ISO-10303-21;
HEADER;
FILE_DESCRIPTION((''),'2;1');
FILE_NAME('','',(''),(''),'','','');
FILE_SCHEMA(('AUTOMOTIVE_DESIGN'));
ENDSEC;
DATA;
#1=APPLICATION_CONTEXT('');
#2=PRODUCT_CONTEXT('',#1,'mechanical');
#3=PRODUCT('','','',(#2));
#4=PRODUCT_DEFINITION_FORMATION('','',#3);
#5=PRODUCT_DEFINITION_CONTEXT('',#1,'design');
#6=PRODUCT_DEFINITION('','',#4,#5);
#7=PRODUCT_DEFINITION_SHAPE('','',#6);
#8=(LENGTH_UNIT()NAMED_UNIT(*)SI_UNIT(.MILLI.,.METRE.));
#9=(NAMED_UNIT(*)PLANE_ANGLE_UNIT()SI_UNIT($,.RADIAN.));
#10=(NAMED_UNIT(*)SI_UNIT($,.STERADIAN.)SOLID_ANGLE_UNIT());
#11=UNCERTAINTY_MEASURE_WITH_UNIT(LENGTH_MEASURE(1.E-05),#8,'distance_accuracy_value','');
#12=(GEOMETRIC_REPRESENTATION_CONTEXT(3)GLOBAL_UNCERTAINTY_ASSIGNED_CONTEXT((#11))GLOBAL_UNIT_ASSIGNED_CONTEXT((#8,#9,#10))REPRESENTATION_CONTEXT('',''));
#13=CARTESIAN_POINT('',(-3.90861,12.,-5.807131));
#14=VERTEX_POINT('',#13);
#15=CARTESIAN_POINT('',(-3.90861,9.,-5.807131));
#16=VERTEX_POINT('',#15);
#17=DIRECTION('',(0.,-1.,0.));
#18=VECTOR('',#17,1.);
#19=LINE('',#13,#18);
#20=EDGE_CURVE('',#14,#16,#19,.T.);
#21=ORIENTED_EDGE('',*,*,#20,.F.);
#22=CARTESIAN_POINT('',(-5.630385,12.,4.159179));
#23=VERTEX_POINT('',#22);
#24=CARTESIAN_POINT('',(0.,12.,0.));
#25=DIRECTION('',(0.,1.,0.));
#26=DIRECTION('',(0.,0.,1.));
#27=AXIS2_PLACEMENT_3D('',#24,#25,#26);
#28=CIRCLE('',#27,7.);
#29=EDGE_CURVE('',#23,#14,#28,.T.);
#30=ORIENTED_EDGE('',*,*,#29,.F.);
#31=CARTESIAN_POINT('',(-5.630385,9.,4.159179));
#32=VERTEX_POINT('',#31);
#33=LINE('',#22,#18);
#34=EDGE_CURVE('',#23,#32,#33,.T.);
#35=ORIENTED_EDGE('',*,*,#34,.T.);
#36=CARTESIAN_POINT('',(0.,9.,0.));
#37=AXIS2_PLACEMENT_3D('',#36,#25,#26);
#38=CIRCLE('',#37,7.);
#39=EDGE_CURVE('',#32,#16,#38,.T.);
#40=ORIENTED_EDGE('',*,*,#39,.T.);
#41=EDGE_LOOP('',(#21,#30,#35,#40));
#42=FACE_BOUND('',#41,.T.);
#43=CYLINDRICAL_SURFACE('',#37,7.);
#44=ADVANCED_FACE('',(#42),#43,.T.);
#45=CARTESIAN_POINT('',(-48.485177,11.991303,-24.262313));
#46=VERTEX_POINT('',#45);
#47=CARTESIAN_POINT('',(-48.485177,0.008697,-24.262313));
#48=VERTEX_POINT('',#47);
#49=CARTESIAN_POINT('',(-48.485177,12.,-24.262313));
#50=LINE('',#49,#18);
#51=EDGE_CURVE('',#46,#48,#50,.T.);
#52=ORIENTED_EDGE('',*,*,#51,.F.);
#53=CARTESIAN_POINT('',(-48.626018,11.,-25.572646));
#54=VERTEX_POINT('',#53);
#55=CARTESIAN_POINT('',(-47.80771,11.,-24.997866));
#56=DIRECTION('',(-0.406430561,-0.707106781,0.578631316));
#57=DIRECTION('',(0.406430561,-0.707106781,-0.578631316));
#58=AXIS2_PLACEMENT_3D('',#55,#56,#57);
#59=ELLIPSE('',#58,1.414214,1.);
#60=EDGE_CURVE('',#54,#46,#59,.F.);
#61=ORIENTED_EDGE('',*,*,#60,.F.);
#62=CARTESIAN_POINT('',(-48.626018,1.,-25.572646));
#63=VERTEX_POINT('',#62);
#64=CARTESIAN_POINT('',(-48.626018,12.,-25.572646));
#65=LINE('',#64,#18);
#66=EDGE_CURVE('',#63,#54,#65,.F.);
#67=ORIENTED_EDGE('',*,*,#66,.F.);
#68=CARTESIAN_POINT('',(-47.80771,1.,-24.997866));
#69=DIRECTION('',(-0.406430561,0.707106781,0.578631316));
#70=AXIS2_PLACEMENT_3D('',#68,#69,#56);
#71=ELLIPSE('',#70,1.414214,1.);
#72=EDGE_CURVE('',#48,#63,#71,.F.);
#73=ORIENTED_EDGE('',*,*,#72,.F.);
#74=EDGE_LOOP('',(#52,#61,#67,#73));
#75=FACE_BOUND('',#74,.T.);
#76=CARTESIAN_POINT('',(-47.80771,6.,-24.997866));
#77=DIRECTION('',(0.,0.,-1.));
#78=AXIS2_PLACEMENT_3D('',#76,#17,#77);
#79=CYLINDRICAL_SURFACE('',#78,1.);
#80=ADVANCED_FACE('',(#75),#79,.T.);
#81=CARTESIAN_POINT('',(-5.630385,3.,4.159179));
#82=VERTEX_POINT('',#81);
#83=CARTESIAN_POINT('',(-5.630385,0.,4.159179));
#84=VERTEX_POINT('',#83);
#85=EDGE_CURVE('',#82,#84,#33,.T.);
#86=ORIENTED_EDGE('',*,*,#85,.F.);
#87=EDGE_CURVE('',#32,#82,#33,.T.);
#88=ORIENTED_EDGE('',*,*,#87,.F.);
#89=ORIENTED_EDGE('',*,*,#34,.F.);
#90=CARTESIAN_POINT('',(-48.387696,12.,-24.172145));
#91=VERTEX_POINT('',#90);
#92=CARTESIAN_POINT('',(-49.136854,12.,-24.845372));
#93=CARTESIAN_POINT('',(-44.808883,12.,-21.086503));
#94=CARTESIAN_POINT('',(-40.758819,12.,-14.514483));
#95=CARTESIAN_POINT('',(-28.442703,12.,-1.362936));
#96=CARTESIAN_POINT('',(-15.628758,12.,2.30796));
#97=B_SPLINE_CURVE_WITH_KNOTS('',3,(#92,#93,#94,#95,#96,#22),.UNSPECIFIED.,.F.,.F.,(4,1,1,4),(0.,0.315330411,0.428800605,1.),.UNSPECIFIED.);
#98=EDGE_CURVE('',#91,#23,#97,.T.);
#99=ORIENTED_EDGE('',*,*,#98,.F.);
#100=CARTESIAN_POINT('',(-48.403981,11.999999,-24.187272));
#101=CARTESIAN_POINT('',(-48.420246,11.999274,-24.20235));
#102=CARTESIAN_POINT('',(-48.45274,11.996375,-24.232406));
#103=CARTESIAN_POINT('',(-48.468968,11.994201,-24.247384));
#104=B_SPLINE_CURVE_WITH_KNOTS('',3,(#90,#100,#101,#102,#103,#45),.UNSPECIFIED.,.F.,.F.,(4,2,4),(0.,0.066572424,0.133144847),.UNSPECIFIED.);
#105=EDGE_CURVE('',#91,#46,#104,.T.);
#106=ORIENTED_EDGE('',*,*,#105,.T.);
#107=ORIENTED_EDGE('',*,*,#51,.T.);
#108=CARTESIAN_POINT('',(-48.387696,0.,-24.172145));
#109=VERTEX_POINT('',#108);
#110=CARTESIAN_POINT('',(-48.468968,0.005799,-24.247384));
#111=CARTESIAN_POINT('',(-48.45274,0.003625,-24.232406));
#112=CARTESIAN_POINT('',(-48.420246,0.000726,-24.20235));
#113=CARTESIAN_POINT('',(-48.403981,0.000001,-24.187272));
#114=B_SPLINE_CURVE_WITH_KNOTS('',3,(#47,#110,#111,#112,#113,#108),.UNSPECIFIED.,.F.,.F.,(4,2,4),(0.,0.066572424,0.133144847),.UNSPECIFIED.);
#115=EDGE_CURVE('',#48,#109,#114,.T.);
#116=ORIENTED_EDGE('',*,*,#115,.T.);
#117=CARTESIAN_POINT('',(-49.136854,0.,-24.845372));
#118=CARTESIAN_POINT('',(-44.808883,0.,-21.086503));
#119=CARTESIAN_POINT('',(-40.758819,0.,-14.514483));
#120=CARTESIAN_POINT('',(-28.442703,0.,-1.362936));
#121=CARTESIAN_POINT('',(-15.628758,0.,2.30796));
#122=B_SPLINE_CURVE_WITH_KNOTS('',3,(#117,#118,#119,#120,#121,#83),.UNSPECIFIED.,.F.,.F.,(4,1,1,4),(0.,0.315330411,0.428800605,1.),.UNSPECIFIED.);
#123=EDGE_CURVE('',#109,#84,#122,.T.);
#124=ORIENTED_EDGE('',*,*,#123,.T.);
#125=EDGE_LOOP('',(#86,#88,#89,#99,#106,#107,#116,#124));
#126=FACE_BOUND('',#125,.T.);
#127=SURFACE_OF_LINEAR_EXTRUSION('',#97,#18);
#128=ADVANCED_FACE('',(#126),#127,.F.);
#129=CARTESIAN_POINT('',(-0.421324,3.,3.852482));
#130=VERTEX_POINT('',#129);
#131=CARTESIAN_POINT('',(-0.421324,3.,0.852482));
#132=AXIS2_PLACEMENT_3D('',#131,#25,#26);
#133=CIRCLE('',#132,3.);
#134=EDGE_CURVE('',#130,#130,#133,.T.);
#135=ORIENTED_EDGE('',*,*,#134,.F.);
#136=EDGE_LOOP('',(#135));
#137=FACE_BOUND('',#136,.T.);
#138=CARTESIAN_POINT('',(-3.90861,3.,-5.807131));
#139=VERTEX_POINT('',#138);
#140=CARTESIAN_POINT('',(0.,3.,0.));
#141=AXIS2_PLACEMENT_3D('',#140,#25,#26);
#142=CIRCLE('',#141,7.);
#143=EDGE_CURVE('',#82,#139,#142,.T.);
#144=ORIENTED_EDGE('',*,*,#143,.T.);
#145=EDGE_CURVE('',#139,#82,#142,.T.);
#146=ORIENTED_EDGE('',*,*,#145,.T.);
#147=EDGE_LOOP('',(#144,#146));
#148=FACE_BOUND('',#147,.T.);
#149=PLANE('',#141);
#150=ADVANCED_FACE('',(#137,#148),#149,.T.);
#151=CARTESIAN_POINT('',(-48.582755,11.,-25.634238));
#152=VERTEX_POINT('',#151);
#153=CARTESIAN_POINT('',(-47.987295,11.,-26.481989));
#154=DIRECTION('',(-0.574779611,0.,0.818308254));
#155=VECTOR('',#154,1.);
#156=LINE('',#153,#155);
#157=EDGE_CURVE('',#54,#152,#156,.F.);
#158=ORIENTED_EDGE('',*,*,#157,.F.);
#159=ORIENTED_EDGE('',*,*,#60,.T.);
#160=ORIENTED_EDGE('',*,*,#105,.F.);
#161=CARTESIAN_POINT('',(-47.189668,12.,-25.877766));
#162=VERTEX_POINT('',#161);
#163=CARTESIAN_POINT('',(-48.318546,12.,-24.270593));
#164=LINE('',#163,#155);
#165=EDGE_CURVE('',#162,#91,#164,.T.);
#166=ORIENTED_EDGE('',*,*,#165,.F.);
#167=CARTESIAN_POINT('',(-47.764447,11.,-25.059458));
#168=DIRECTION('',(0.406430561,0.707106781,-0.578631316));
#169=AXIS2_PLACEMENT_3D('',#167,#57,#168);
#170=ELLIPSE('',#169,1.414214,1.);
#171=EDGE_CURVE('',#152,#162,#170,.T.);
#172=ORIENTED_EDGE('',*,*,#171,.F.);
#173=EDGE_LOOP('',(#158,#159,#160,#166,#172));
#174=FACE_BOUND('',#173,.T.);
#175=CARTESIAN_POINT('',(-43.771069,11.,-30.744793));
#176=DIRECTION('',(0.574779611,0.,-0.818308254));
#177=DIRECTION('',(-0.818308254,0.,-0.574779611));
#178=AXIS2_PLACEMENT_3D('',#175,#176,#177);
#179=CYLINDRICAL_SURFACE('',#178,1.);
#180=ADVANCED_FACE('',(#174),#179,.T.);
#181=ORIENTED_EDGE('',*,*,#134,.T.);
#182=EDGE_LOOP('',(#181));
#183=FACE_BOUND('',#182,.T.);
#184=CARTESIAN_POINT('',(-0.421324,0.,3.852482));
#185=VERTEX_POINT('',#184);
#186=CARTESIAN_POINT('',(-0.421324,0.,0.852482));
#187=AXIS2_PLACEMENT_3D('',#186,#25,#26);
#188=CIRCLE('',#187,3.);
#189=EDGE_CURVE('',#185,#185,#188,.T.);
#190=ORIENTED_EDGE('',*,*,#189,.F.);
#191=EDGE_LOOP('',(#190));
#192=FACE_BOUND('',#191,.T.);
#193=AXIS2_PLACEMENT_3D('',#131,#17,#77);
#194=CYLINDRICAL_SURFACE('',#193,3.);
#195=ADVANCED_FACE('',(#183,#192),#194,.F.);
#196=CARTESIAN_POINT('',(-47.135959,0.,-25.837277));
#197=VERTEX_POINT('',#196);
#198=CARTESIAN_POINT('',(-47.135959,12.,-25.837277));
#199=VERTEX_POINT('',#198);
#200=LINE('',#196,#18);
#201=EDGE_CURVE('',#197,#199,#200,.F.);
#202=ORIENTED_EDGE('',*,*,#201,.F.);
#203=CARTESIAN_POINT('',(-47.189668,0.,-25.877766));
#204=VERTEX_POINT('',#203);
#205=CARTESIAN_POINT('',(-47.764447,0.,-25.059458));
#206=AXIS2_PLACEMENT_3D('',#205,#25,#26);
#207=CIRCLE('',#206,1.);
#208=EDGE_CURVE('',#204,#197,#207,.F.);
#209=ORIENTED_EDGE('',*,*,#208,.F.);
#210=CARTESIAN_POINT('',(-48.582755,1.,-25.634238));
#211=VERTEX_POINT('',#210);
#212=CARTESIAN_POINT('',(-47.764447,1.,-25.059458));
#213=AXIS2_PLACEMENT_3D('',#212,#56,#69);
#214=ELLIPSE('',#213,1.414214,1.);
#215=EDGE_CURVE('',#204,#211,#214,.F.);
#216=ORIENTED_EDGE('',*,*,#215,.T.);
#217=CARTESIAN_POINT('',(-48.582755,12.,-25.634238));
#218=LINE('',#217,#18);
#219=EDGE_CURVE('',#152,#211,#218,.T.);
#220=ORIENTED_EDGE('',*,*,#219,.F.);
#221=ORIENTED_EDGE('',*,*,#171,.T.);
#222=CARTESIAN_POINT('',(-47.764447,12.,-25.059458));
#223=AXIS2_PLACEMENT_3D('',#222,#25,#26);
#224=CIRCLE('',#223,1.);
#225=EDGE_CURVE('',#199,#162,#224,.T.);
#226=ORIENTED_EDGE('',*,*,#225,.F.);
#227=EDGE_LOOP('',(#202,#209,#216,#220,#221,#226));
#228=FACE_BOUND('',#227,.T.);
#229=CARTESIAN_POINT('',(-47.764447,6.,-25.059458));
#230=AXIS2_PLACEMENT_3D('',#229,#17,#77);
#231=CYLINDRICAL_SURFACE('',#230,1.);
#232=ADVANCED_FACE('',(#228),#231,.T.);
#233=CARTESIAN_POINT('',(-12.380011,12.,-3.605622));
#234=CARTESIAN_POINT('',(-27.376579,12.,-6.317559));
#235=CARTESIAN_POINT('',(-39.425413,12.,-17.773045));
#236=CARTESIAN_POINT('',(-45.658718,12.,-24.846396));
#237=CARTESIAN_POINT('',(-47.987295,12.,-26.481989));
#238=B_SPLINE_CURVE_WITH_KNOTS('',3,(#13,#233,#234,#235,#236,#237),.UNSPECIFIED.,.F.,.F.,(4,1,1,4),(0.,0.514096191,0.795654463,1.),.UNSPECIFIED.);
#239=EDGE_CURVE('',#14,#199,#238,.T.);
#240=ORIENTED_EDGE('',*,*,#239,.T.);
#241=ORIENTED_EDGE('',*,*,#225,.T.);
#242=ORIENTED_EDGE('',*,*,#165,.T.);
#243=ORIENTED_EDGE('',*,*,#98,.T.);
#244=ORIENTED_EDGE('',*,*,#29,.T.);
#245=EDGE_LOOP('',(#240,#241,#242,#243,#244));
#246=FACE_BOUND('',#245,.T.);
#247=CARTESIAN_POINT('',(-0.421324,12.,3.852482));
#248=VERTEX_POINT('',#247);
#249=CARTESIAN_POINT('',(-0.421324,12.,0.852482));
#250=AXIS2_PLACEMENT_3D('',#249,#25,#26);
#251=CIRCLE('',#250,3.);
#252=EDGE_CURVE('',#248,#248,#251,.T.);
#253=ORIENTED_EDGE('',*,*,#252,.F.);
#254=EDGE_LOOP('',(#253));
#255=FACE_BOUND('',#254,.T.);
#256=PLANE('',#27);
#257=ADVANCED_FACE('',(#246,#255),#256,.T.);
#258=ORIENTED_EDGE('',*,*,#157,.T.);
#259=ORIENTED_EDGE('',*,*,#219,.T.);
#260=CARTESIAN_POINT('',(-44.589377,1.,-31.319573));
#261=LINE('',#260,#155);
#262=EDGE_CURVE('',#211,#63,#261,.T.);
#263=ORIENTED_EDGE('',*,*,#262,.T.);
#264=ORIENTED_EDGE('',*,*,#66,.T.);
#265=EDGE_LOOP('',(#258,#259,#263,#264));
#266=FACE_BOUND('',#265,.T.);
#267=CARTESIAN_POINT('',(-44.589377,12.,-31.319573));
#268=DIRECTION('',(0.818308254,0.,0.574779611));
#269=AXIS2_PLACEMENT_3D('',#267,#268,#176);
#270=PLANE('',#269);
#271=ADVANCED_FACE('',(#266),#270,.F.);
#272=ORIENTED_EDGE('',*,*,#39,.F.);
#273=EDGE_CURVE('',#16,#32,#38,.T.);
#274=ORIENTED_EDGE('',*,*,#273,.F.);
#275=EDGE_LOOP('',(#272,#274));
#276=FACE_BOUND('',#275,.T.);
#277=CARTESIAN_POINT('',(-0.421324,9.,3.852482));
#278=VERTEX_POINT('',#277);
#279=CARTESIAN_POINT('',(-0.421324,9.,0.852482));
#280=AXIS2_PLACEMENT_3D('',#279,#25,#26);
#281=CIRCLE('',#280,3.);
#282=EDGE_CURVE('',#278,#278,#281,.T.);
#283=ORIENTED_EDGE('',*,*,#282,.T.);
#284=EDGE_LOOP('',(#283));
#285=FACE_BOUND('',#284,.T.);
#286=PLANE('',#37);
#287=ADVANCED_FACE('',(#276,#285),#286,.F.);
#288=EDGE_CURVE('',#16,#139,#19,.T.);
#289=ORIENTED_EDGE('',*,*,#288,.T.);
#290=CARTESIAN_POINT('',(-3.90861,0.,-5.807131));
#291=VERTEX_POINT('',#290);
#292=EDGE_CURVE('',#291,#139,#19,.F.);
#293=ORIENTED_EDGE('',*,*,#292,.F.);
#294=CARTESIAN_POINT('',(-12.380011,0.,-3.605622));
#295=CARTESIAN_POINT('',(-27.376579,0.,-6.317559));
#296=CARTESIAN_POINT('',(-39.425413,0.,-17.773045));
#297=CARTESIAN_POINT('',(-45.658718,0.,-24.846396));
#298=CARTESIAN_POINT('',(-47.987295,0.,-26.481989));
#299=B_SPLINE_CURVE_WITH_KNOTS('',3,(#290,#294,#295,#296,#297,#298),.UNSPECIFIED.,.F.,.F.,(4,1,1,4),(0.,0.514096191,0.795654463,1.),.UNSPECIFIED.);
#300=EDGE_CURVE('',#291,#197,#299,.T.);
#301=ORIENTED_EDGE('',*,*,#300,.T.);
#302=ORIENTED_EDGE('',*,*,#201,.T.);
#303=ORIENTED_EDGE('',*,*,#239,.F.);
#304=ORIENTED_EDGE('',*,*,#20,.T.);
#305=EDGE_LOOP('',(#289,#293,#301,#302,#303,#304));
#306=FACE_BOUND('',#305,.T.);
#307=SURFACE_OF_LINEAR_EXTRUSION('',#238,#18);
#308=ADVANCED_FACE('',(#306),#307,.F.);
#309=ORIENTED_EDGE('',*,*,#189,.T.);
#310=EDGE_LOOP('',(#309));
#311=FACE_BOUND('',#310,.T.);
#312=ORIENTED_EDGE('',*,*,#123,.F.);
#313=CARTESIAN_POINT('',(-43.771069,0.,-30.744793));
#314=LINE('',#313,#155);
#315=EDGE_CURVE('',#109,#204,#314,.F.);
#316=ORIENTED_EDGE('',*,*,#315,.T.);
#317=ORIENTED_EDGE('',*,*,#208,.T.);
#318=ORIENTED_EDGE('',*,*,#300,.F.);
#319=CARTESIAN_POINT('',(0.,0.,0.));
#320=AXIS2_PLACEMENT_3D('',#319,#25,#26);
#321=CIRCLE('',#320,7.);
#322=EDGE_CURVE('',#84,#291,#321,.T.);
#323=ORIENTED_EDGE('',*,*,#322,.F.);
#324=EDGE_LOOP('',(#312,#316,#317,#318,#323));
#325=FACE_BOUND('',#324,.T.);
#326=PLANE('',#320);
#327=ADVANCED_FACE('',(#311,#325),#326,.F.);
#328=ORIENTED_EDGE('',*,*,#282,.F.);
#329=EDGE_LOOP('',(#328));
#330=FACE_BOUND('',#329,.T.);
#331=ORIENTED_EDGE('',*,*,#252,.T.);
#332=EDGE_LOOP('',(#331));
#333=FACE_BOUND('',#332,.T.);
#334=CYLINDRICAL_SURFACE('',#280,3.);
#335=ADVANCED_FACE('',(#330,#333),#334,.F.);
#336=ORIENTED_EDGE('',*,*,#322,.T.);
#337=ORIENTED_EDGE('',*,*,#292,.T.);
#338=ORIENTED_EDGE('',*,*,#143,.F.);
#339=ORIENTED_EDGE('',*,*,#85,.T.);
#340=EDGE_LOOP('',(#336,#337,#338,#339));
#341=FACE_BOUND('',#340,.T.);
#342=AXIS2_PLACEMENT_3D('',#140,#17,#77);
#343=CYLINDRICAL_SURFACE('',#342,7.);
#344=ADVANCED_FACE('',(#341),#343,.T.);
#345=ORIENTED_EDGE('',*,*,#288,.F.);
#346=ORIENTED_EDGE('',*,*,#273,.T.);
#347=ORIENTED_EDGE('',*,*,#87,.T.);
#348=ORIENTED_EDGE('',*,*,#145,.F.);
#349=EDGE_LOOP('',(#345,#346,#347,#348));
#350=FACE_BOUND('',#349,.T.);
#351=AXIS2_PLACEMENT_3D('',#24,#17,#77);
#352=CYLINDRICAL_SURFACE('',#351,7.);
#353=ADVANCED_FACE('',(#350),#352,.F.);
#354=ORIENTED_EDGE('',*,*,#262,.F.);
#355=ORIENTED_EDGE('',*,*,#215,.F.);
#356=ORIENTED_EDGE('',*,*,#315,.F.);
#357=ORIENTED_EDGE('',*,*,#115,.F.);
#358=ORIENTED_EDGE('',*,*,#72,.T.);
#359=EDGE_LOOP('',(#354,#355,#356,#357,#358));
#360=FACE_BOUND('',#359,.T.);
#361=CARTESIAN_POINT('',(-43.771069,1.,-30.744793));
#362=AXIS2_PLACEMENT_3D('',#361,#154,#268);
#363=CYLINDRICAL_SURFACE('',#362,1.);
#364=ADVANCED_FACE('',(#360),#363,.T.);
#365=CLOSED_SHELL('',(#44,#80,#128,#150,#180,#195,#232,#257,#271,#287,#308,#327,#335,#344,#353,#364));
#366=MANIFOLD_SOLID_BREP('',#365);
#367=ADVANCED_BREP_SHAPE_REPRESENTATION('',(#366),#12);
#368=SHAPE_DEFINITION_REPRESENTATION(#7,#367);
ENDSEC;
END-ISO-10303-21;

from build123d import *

# Parameters (mm, degrees)
EXTRUDE_1_DEPTH = 12
SKETCH_1_3_R    = 7
SKETCH_1_3_R_2  = 3
EXTRUDE_2_DEPTH = 3
EXTRUDE_START   = 9
SKETCH_1_4_R    = 7
SKETCH_1_4_R_2  = 3
EXTRUDE_3_DEPTH = 3
FILLET_1_R      = 1


with BuildPart() as part:
    # 草图1 → 凸台-拉伸1 (new body)
    with BuildSketch(Plane(origin=(0, 0, 0), x_dir=(1, 0, 0), z_dir=(0, 1, 0))):
        with BuildLine():
            add(Edge.make_bspline(
                [(-3.908610404, 5.807130506), (-12.380011049, 3.605621884), (-27.376579438, 6.317559199), (-39.425413051, 17.773045339), (-45.658717555, 24.846396214), (-47.987295244, 26.48198888)],
                knots=[0, 0, 0, 0, 0.514096191, 0.795654463, 1, 1, 1, 1], degree=3))
            Line((-47.987295244, 26.48198888), (-49.136854466, 24.845372371))
            add(Edge.make_bspline(
                [(-49.136854466, 24.845372371), (-44.808882779, 21.086502798), (-40.758819083, 14.514483032), (-28.442702771, 1.362936195), (-15.62875807, -2.307960271), (-5.630384559, -4.159178971)],
                knots=[0, 0, 0, 0, 0.315330411, 0.428800605, 1, 1, 1, 1], degree=3))
            ThreePointArc((-5.630384559, -4.159178971), (-6.897821205, 1.191663806), (-3.908610404, 5.807130506))
        make_face()
    extrude(amount=EXTRUDE_1_DEPTH)

    # 草图1<3> → 凸台-拉伸2 (add)
    with BuildSketch(Plane(origin=(0, 0, 0), x_dir=(1, 0, 0), z_dir=(0, 1, 0))):
        Circle(SKETCH_1_3_R)
        with Locations(Location((-0.421324482, -0.852481629, 0), (0, 0, 270))):
            Circle(SKETCH_1_3_R_2, mode=Mode.SUBTRACT)
    extrude(amount=EXTRUDE_2_DEPTH)

    # 草图1<4> → 凸台-拉伸3 (add)
    with BuildSketch(Plane(origin=(0, 0, 0), x_dir=(1, 0, 0), z_dir=(0, 1, 0)).offset(EXTRUDE_START)):
        Circle(SKETCH_1_4_R)
        with Locations(Location((-0.421324482, -0.852481629, 0), (0, 0, 270))):
            Circle(SKETCH_1_4_R_2, mode=Mode.SUBTRACT)
    extrude(amount=EXTRUDE_3_DEPTH)

    # 圆角1
    fillet_1_edges = [part.edges().sort_by_distance(p)[0] for p in [
        (-47.987295244, 6, -26.48198888),
        (-48.562074855, 0, -25.663680626),
        (-48.562074855, 12, -25.663680626),
        (-49.136854466, 6, -24.845372371),
    ]]
    fillet(fillet_1_edges, radius=FILLET_1_R)


solid = part.part
